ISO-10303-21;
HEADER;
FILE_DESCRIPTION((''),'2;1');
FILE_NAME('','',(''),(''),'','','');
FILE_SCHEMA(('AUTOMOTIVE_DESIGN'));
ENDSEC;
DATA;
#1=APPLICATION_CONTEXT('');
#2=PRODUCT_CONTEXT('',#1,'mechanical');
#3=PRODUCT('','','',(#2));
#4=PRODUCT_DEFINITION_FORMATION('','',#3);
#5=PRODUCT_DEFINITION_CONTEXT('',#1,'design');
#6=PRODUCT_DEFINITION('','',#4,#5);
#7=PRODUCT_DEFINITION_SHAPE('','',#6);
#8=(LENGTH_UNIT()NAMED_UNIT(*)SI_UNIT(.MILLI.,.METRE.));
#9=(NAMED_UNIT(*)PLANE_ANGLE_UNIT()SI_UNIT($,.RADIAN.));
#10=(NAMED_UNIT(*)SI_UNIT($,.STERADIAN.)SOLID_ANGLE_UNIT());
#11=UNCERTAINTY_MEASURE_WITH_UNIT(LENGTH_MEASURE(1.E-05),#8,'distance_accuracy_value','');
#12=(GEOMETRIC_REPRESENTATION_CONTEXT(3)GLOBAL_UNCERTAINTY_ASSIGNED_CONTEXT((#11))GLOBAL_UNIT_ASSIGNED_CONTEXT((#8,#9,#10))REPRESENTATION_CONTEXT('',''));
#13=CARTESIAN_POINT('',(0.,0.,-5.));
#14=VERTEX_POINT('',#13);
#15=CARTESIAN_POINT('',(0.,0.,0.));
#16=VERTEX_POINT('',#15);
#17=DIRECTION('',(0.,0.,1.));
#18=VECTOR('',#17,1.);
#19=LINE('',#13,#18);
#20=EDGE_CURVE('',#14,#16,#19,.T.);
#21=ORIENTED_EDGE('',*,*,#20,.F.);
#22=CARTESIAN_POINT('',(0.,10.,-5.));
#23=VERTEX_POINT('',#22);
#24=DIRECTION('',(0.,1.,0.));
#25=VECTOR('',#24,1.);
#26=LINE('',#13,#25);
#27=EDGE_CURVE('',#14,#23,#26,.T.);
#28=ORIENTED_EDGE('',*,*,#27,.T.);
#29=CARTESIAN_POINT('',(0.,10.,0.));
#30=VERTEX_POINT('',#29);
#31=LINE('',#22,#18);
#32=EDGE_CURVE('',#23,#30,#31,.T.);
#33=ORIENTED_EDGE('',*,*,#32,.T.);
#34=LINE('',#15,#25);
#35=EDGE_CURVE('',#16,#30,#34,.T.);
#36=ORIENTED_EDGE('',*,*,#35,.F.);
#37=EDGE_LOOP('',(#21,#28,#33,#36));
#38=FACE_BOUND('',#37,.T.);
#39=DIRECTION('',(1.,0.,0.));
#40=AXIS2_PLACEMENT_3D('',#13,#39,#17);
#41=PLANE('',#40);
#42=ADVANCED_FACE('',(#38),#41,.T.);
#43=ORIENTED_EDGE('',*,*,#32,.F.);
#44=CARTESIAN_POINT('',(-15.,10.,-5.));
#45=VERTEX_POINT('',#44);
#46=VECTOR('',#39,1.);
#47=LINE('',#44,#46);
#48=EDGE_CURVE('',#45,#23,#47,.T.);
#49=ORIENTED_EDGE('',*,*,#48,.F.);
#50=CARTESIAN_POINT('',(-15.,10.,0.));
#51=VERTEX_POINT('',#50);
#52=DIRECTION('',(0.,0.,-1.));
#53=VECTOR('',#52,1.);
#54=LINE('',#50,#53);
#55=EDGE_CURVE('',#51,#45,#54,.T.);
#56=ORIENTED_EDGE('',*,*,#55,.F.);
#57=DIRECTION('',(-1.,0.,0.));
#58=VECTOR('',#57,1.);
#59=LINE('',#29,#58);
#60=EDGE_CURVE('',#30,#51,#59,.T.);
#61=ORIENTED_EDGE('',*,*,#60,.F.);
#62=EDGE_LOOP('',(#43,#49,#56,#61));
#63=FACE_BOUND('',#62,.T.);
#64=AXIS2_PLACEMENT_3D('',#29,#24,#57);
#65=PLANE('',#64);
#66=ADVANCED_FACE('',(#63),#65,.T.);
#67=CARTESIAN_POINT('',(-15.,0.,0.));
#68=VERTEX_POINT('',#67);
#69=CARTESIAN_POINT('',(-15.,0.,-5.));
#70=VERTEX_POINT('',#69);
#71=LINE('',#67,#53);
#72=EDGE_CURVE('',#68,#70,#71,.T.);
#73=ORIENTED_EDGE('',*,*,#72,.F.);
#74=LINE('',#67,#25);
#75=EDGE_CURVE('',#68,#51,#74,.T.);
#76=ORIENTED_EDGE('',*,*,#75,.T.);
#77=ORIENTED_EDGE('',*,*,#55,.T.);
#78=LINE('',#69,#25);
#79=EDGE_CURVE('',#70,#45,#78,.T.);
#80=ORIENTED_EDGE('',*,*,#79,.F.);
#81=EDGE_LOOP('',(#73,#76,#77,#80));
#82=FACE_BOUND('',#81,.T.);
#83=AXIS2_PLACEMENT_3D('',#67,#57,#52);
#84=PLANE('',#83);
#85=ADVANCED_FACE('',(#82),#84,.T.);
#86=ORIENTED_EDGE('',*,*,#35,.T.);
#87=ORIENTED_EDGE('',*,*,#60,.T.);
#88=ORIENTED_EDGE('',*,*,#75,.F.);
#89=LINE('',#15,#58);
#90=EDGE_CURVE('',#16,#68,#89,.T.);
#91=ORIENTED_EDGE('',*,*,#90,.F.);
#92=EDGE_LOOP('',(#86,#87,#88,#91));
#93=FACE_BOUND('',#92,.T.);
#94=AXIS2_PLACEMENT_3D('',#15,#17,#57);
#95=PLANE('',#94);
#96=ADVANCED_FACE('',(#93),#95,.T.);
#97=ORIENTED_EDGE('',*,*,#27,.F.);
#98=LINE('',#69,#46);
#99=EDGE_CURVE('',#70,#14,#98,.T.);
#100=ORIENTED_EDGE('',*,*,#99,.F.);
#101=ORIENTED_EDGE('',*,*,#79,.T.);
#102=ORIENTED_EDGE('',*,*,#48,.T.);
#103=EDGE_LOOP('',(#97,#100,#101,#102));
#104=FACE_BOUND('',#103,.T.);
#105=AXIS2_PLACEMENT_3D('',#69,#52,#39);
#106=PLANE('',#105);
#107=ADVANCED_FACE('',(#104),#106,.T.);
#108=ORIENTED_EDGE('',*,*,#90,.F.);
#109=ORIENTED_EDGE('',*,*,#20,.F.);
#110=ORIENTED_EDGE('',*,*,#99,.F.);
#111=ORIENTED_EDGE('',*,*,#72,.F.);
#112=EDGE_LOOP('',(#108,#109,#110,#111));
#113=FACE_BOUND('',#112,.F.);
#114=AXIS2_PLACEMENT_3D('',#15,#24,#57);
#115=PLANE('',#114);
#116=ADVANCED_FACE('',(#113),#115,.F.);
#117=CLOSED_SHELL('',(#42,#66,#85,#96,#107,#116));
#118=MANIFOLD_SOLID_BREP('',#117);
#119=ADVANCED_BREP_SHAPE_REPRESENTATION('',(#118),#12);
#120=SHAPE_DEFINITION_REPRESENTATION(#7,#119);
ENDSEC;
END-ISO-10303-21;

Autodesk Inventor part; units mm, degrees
ref_plane "YZ Plane" through (0, 0, 0) normal (1, 0, 0) x (0, 1, 0)
ref_plane "XZ Plane" through (0, 0, 0) normal (0, 1, 0) x (-1, 0, 0)
ref_plane "XY Plane" through (0, 0, 0) normal (0, 0, 1) x (1, 0, 0)
sketch "Sketch1" plane through (0, 0, 0) normal (0, 1, 0) x (-1, 0, 0)
  line L0 (0, 0) -> (15, 0)
  line L1 (15, 0) -> (15, -5)
  line L2 (15, -5) -> (0, -5)
  line L3 (0, -5) -> (0, 0)
  dimension "d0" = 15
  dimension "d1" = 5
extrude "Extrusion1" add sketch "Sketch1" along normal blind 10
properties part number "129"
